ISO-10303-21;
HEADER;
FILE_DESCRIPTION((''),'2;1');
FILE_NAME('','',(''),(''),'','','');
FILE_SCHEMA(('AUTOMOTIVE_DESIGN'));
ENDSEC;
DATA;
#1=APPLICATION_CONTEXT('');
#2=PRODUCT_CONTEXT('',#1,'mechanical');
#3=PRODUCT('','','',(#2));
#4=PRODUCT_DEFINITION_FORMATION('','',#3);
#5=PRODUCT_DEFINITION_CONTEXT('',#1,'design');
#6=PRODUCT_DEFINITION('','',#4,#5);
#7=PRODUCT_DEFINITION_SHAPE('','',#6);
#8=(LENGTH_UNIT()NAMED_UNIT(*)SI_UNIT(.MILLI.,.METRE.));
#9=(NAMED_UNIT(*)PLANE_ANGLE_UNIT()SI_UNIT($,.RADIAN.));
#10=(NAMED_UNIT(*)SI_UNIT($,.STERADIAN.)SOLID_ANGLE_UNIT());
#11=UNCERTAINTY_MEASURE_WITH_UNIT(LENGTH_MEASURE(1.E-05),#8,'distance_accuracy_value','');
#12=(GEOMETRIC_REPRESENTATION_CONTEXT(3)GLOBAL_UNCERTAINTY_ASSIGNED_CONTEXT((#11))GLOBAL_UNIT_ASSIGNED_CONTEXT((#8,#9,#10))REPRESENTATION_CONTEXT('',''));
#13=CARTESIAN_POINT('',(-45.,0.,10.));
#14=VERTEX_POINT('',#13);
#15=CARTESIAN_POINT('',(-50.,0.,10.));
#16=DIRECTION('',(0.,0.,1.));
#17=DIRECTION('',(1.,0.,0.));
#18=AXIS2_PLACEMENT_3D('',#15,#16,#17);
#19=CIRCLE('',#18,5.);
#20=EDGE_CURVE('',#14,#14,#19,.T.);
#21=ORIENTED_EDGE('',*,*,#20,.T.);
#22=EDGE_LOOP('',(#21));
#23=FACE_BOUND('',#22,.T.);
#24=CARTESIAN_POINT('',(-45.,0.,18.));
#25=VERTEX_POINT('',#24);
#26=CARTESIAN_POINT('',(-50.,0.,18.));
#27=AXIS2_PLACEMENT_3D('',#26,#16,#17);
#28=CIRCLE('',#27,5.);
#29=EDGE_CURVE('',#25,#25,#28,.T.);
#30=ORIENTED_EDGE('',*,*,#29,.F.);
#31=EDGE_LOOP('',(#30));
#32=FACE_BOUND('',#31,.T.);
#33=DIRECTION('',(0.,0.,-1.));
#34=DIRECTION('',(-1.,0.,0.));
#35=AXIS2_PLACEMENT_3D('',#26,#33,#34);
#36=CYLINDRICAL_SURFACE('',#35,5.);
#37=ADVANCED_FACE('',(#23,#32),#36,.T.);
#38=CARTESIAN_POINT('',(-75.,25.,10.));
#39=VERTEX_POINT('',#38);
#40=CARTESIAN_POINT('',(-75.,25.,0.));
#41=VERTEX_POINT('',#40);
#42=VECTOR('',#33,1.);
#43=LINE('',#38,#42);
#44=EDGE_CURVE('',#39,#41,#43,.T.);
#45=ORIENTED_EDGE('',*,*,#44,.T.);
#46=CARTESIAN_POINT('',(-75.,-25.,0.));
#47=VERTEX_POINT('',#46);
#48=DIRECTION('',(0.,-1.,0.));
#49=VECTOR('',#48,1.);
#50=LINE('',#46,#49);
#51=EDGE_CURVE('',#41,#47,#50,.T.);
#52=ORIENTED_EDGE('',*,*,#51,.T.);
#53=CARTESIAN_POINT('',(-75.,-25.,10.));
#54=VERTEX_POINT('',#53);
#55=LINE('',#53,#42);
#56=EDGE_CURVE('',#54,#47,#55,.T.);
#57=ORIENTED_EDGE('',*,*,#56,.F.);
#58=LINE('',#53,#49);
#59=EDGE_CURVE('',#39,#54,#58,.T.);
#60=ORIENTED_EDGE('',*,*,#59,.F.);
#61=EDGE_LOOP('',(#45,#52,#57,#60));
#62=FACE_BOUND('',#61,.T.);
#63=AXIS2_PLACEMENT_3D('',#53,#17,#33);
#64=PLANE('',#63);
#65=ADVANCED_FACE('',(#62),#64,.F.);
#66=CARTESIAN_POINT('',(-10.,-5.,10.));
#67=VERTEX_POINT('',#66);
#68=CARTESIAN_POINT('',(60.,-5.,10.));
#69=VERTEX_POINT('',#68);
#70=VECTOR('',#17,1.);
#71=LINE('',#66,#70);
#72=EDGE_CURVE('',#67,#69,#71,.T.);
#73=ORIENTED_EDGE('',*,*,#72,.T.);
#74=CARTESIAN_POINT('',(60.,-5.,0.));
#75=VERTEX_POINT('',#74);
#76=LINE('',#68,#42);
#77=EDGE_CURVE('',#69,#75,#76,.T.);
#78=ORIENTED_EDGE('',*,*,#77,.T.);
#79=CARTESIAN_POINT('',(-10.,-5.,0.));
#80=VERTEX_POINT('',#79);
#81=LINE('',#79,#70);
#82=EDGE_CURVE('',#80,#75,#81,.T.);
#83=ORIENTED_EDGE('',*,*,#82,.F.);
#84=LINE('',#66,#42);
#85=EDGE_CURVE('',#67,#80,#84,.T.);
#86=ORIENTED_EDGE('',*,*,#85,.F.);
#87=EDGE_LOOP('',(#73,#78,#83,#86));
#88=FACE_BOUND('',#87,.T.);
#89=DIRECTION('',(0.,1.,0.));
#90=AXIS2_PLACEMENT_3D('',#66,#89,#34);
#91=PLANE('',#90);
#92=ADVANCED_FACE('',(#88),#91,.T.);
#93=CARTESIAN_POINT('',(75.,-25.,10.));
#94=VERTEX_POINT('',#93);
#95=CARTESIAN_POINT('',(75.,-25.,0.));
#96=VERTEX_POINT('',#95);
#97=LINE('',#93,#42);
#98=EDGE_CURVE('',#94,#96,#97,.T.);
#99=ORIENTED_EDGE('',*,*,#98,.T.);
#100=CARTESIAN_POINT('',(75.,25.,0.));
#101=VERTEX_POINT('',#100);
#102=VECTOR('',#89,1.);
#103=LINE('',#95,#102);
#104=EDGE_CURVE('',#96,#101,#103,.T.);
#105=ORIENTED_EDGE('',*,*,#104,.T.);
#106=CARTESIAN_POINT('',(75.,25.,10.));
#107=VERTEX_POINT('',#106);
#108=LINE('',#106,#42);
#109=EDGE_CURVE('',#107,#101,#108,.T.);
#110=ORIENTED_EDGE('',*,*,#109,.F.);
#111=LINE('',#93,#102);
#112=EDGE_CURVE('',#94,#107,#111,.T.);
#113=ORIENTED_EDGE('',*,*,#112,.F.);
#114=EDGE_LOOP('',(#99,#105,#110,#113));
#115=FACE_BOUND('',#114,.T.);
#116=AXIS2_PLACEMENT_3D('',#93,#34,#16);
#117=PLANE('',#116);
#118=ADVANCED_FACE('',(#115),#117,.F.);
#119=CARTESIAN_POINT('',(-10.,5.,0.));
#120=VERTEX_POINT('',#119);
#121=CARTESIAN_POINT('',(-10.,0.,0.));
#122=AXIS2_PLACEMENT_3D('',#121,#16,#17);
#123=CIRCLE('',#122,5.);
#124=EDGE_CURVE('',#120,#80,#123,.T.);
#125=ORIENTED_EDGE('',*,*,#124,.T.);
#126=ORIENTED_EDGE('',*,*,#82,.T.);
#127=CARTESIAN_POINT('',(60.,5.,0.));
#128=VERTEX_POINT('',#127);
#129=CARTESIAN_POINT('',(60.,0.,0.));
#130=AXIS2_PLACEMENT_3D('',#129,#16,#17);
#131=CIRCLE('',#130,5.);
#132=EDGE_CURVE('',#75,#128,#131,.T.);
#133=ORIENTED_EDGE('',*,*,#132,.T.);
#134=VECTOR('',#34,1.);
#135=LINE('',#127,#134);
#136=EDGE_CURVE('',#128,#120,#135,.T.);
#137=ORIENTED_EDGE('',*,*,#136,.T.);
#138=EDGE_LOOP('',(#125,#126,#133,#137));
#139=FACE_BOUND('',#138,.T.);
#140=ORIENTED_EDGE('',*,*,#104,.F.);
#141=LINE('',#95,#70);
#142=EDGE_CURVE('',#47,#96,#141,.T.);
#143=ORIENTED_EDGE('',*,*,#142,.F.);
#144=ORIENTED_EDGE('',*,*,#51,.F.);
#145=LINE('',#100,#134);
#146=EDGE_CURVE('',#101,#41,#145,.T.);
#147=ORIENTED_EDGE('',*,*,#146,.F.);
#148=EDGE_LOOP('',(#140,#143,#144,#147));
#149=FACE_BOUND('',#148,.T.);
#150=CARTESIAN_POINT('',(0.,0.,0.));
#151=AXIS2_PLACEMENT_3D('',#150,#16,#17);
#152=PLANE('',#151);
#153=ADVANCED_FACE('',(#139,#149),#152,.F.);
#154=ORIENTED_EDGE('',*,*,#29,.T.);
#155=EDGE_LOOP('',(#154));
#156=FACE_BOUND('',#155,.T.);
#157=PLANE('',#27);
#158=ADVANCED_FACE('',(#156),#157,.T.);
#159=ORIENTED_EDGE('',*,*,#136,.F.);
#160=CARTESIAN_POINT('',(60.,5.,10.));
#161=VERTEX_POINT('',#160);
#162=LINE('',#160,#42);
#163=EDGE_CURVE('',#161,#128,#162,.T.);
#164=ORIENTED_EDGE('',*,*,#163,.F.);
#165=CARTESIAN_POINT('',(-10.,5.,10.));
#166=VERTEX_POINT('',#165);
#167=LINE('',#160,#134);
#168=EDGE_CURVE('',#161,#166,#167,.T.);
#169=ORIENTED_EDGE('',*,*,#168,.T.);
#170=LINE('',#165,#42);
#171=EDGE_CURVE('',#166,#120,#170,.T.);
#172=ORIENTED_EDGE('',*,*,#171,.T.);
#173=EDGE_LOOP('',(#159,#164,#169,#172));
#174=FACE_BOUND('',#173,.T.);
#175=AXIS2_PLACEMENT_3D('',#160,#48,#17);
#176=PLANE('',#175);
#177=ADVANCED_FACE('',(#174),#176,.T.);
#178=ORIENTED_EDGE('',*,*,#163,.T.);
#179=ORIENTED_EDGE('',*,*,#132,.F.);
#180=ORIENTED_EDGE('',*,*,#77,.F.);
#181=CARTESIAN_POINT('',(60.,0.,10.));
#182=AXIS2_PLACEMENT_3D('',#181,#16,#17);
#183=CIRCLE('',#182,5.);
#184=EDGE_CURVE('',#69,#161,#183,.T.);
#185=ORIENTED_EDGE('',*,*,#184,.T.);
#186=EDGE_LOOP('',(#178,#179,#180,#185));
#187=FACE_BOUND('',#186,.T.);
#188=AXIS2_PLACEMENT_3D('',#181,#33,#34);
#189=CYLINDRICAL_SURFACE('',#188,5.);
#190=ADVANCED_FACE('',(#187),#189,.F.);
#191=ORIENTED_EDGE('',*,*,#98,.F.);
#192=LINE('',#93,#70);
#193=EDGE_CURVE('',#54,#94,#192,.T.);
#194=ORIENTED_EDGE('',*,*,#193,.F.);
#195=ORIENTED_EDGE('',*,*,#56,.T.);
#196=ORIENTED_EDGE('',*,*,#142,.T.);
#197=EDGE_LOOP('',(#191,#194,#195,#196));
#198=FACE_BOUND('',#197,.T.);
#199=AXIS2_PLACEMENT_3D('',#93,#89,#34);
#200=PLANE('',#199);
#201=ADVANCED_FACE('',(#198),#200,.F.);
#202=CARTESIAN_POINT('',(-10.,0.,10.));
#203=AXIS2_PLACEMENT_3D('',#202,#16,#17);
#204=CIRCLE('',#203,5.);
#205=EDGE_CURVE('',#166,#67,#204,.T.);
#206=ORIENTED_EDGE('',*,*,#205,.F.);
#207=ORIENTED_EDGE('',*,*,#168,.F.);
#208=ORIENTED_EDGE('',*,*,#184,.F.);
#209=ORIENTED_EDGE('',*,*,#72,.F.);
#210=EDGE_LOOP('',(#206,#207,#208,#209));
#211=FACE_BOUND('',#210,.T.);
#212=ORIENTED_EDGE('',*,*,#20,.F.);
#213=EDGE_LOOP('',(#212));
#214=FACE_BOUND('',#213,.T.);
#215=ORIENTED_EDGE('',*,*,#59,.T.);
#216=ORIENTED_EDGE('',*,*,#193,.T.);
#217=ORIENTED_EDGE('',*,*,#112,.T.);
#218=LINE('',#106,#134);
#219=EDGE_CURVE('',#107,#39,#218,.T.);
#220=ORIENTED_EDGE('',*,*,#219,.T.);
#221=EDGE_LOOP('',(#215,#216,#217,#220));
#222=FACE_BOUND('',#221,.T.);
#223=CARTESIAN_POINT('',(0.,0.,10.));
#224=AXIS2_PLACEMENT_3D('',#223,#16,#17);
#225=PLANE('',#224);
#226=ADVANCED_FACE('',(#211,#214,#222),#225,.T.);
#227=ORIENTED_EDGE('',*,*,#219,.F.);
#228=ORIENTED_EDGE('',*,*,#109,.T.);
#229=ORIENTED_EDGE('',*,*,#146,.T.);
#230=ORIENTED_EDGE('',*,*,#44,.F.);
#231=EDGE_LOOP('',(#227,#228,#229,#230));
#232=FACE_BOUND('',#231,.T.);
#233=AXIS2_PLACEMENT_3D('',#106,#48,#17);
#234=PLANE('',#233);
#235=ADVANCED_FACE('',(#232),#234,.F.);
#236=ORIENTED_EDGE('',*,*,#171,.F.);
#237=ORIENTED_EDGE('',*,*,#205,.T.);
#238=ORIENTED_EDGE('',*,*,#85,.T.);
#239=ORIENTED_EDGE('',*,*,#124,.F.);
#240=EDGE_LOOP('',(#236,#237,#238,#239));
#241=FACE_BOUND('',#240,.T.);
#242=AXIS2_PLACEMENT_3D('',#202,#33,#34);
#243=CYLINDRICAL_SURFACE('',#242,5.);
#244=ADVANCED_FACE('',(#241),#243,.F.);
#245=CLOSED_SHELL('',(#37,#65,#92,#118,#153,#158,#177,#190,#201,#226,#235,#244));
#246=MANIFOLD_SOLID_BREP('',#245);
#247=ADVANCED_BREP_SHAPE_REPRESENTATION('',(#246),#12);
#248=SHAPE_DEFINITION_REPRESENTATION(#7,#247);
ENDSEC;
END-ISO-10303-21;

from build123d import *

# Parameters (mm, degrees)
CROQUIS3_W              = 150
CROQUIS3_H              = 50
SALIENTE_EXTRUIR3_DEPTH = 10
CROQUIS4_R              = 5
SALIENTE_EXTRUIR4_DEPTH = 8


with BuildPart() as part:
    # Croquis3 → Saliente-Extruir3 (new body)
    with BuildSketch(Plane.XY):
        Rectangle(CROQUIS3_W, CROQUIS3_H)
        with BuildLine():
            Line((60, 5), (-10, 5))
            ThreePointArc((-10, 5), (-15, 0), (-10, -5))
            Line((-10, -5), (60, -5))
            ThreePointArc((60, -5), (65, 0), (60, 5))
        make_face(mode=Mode.SUBTRACT)
    extrude(amount=SALIENTE_EXTRUIR3_DEPTH)

    # Croquis4 → Saliente-Extruir4 (add)
    with BuildSketch(Plane.XY.offset(10)):
        with Locations((-50, 0)):
            Circle(CROQUIS4_R)
    extrude(amount=SALIENTE_EXTRUIR4_DEPTH)


solid = part.part
